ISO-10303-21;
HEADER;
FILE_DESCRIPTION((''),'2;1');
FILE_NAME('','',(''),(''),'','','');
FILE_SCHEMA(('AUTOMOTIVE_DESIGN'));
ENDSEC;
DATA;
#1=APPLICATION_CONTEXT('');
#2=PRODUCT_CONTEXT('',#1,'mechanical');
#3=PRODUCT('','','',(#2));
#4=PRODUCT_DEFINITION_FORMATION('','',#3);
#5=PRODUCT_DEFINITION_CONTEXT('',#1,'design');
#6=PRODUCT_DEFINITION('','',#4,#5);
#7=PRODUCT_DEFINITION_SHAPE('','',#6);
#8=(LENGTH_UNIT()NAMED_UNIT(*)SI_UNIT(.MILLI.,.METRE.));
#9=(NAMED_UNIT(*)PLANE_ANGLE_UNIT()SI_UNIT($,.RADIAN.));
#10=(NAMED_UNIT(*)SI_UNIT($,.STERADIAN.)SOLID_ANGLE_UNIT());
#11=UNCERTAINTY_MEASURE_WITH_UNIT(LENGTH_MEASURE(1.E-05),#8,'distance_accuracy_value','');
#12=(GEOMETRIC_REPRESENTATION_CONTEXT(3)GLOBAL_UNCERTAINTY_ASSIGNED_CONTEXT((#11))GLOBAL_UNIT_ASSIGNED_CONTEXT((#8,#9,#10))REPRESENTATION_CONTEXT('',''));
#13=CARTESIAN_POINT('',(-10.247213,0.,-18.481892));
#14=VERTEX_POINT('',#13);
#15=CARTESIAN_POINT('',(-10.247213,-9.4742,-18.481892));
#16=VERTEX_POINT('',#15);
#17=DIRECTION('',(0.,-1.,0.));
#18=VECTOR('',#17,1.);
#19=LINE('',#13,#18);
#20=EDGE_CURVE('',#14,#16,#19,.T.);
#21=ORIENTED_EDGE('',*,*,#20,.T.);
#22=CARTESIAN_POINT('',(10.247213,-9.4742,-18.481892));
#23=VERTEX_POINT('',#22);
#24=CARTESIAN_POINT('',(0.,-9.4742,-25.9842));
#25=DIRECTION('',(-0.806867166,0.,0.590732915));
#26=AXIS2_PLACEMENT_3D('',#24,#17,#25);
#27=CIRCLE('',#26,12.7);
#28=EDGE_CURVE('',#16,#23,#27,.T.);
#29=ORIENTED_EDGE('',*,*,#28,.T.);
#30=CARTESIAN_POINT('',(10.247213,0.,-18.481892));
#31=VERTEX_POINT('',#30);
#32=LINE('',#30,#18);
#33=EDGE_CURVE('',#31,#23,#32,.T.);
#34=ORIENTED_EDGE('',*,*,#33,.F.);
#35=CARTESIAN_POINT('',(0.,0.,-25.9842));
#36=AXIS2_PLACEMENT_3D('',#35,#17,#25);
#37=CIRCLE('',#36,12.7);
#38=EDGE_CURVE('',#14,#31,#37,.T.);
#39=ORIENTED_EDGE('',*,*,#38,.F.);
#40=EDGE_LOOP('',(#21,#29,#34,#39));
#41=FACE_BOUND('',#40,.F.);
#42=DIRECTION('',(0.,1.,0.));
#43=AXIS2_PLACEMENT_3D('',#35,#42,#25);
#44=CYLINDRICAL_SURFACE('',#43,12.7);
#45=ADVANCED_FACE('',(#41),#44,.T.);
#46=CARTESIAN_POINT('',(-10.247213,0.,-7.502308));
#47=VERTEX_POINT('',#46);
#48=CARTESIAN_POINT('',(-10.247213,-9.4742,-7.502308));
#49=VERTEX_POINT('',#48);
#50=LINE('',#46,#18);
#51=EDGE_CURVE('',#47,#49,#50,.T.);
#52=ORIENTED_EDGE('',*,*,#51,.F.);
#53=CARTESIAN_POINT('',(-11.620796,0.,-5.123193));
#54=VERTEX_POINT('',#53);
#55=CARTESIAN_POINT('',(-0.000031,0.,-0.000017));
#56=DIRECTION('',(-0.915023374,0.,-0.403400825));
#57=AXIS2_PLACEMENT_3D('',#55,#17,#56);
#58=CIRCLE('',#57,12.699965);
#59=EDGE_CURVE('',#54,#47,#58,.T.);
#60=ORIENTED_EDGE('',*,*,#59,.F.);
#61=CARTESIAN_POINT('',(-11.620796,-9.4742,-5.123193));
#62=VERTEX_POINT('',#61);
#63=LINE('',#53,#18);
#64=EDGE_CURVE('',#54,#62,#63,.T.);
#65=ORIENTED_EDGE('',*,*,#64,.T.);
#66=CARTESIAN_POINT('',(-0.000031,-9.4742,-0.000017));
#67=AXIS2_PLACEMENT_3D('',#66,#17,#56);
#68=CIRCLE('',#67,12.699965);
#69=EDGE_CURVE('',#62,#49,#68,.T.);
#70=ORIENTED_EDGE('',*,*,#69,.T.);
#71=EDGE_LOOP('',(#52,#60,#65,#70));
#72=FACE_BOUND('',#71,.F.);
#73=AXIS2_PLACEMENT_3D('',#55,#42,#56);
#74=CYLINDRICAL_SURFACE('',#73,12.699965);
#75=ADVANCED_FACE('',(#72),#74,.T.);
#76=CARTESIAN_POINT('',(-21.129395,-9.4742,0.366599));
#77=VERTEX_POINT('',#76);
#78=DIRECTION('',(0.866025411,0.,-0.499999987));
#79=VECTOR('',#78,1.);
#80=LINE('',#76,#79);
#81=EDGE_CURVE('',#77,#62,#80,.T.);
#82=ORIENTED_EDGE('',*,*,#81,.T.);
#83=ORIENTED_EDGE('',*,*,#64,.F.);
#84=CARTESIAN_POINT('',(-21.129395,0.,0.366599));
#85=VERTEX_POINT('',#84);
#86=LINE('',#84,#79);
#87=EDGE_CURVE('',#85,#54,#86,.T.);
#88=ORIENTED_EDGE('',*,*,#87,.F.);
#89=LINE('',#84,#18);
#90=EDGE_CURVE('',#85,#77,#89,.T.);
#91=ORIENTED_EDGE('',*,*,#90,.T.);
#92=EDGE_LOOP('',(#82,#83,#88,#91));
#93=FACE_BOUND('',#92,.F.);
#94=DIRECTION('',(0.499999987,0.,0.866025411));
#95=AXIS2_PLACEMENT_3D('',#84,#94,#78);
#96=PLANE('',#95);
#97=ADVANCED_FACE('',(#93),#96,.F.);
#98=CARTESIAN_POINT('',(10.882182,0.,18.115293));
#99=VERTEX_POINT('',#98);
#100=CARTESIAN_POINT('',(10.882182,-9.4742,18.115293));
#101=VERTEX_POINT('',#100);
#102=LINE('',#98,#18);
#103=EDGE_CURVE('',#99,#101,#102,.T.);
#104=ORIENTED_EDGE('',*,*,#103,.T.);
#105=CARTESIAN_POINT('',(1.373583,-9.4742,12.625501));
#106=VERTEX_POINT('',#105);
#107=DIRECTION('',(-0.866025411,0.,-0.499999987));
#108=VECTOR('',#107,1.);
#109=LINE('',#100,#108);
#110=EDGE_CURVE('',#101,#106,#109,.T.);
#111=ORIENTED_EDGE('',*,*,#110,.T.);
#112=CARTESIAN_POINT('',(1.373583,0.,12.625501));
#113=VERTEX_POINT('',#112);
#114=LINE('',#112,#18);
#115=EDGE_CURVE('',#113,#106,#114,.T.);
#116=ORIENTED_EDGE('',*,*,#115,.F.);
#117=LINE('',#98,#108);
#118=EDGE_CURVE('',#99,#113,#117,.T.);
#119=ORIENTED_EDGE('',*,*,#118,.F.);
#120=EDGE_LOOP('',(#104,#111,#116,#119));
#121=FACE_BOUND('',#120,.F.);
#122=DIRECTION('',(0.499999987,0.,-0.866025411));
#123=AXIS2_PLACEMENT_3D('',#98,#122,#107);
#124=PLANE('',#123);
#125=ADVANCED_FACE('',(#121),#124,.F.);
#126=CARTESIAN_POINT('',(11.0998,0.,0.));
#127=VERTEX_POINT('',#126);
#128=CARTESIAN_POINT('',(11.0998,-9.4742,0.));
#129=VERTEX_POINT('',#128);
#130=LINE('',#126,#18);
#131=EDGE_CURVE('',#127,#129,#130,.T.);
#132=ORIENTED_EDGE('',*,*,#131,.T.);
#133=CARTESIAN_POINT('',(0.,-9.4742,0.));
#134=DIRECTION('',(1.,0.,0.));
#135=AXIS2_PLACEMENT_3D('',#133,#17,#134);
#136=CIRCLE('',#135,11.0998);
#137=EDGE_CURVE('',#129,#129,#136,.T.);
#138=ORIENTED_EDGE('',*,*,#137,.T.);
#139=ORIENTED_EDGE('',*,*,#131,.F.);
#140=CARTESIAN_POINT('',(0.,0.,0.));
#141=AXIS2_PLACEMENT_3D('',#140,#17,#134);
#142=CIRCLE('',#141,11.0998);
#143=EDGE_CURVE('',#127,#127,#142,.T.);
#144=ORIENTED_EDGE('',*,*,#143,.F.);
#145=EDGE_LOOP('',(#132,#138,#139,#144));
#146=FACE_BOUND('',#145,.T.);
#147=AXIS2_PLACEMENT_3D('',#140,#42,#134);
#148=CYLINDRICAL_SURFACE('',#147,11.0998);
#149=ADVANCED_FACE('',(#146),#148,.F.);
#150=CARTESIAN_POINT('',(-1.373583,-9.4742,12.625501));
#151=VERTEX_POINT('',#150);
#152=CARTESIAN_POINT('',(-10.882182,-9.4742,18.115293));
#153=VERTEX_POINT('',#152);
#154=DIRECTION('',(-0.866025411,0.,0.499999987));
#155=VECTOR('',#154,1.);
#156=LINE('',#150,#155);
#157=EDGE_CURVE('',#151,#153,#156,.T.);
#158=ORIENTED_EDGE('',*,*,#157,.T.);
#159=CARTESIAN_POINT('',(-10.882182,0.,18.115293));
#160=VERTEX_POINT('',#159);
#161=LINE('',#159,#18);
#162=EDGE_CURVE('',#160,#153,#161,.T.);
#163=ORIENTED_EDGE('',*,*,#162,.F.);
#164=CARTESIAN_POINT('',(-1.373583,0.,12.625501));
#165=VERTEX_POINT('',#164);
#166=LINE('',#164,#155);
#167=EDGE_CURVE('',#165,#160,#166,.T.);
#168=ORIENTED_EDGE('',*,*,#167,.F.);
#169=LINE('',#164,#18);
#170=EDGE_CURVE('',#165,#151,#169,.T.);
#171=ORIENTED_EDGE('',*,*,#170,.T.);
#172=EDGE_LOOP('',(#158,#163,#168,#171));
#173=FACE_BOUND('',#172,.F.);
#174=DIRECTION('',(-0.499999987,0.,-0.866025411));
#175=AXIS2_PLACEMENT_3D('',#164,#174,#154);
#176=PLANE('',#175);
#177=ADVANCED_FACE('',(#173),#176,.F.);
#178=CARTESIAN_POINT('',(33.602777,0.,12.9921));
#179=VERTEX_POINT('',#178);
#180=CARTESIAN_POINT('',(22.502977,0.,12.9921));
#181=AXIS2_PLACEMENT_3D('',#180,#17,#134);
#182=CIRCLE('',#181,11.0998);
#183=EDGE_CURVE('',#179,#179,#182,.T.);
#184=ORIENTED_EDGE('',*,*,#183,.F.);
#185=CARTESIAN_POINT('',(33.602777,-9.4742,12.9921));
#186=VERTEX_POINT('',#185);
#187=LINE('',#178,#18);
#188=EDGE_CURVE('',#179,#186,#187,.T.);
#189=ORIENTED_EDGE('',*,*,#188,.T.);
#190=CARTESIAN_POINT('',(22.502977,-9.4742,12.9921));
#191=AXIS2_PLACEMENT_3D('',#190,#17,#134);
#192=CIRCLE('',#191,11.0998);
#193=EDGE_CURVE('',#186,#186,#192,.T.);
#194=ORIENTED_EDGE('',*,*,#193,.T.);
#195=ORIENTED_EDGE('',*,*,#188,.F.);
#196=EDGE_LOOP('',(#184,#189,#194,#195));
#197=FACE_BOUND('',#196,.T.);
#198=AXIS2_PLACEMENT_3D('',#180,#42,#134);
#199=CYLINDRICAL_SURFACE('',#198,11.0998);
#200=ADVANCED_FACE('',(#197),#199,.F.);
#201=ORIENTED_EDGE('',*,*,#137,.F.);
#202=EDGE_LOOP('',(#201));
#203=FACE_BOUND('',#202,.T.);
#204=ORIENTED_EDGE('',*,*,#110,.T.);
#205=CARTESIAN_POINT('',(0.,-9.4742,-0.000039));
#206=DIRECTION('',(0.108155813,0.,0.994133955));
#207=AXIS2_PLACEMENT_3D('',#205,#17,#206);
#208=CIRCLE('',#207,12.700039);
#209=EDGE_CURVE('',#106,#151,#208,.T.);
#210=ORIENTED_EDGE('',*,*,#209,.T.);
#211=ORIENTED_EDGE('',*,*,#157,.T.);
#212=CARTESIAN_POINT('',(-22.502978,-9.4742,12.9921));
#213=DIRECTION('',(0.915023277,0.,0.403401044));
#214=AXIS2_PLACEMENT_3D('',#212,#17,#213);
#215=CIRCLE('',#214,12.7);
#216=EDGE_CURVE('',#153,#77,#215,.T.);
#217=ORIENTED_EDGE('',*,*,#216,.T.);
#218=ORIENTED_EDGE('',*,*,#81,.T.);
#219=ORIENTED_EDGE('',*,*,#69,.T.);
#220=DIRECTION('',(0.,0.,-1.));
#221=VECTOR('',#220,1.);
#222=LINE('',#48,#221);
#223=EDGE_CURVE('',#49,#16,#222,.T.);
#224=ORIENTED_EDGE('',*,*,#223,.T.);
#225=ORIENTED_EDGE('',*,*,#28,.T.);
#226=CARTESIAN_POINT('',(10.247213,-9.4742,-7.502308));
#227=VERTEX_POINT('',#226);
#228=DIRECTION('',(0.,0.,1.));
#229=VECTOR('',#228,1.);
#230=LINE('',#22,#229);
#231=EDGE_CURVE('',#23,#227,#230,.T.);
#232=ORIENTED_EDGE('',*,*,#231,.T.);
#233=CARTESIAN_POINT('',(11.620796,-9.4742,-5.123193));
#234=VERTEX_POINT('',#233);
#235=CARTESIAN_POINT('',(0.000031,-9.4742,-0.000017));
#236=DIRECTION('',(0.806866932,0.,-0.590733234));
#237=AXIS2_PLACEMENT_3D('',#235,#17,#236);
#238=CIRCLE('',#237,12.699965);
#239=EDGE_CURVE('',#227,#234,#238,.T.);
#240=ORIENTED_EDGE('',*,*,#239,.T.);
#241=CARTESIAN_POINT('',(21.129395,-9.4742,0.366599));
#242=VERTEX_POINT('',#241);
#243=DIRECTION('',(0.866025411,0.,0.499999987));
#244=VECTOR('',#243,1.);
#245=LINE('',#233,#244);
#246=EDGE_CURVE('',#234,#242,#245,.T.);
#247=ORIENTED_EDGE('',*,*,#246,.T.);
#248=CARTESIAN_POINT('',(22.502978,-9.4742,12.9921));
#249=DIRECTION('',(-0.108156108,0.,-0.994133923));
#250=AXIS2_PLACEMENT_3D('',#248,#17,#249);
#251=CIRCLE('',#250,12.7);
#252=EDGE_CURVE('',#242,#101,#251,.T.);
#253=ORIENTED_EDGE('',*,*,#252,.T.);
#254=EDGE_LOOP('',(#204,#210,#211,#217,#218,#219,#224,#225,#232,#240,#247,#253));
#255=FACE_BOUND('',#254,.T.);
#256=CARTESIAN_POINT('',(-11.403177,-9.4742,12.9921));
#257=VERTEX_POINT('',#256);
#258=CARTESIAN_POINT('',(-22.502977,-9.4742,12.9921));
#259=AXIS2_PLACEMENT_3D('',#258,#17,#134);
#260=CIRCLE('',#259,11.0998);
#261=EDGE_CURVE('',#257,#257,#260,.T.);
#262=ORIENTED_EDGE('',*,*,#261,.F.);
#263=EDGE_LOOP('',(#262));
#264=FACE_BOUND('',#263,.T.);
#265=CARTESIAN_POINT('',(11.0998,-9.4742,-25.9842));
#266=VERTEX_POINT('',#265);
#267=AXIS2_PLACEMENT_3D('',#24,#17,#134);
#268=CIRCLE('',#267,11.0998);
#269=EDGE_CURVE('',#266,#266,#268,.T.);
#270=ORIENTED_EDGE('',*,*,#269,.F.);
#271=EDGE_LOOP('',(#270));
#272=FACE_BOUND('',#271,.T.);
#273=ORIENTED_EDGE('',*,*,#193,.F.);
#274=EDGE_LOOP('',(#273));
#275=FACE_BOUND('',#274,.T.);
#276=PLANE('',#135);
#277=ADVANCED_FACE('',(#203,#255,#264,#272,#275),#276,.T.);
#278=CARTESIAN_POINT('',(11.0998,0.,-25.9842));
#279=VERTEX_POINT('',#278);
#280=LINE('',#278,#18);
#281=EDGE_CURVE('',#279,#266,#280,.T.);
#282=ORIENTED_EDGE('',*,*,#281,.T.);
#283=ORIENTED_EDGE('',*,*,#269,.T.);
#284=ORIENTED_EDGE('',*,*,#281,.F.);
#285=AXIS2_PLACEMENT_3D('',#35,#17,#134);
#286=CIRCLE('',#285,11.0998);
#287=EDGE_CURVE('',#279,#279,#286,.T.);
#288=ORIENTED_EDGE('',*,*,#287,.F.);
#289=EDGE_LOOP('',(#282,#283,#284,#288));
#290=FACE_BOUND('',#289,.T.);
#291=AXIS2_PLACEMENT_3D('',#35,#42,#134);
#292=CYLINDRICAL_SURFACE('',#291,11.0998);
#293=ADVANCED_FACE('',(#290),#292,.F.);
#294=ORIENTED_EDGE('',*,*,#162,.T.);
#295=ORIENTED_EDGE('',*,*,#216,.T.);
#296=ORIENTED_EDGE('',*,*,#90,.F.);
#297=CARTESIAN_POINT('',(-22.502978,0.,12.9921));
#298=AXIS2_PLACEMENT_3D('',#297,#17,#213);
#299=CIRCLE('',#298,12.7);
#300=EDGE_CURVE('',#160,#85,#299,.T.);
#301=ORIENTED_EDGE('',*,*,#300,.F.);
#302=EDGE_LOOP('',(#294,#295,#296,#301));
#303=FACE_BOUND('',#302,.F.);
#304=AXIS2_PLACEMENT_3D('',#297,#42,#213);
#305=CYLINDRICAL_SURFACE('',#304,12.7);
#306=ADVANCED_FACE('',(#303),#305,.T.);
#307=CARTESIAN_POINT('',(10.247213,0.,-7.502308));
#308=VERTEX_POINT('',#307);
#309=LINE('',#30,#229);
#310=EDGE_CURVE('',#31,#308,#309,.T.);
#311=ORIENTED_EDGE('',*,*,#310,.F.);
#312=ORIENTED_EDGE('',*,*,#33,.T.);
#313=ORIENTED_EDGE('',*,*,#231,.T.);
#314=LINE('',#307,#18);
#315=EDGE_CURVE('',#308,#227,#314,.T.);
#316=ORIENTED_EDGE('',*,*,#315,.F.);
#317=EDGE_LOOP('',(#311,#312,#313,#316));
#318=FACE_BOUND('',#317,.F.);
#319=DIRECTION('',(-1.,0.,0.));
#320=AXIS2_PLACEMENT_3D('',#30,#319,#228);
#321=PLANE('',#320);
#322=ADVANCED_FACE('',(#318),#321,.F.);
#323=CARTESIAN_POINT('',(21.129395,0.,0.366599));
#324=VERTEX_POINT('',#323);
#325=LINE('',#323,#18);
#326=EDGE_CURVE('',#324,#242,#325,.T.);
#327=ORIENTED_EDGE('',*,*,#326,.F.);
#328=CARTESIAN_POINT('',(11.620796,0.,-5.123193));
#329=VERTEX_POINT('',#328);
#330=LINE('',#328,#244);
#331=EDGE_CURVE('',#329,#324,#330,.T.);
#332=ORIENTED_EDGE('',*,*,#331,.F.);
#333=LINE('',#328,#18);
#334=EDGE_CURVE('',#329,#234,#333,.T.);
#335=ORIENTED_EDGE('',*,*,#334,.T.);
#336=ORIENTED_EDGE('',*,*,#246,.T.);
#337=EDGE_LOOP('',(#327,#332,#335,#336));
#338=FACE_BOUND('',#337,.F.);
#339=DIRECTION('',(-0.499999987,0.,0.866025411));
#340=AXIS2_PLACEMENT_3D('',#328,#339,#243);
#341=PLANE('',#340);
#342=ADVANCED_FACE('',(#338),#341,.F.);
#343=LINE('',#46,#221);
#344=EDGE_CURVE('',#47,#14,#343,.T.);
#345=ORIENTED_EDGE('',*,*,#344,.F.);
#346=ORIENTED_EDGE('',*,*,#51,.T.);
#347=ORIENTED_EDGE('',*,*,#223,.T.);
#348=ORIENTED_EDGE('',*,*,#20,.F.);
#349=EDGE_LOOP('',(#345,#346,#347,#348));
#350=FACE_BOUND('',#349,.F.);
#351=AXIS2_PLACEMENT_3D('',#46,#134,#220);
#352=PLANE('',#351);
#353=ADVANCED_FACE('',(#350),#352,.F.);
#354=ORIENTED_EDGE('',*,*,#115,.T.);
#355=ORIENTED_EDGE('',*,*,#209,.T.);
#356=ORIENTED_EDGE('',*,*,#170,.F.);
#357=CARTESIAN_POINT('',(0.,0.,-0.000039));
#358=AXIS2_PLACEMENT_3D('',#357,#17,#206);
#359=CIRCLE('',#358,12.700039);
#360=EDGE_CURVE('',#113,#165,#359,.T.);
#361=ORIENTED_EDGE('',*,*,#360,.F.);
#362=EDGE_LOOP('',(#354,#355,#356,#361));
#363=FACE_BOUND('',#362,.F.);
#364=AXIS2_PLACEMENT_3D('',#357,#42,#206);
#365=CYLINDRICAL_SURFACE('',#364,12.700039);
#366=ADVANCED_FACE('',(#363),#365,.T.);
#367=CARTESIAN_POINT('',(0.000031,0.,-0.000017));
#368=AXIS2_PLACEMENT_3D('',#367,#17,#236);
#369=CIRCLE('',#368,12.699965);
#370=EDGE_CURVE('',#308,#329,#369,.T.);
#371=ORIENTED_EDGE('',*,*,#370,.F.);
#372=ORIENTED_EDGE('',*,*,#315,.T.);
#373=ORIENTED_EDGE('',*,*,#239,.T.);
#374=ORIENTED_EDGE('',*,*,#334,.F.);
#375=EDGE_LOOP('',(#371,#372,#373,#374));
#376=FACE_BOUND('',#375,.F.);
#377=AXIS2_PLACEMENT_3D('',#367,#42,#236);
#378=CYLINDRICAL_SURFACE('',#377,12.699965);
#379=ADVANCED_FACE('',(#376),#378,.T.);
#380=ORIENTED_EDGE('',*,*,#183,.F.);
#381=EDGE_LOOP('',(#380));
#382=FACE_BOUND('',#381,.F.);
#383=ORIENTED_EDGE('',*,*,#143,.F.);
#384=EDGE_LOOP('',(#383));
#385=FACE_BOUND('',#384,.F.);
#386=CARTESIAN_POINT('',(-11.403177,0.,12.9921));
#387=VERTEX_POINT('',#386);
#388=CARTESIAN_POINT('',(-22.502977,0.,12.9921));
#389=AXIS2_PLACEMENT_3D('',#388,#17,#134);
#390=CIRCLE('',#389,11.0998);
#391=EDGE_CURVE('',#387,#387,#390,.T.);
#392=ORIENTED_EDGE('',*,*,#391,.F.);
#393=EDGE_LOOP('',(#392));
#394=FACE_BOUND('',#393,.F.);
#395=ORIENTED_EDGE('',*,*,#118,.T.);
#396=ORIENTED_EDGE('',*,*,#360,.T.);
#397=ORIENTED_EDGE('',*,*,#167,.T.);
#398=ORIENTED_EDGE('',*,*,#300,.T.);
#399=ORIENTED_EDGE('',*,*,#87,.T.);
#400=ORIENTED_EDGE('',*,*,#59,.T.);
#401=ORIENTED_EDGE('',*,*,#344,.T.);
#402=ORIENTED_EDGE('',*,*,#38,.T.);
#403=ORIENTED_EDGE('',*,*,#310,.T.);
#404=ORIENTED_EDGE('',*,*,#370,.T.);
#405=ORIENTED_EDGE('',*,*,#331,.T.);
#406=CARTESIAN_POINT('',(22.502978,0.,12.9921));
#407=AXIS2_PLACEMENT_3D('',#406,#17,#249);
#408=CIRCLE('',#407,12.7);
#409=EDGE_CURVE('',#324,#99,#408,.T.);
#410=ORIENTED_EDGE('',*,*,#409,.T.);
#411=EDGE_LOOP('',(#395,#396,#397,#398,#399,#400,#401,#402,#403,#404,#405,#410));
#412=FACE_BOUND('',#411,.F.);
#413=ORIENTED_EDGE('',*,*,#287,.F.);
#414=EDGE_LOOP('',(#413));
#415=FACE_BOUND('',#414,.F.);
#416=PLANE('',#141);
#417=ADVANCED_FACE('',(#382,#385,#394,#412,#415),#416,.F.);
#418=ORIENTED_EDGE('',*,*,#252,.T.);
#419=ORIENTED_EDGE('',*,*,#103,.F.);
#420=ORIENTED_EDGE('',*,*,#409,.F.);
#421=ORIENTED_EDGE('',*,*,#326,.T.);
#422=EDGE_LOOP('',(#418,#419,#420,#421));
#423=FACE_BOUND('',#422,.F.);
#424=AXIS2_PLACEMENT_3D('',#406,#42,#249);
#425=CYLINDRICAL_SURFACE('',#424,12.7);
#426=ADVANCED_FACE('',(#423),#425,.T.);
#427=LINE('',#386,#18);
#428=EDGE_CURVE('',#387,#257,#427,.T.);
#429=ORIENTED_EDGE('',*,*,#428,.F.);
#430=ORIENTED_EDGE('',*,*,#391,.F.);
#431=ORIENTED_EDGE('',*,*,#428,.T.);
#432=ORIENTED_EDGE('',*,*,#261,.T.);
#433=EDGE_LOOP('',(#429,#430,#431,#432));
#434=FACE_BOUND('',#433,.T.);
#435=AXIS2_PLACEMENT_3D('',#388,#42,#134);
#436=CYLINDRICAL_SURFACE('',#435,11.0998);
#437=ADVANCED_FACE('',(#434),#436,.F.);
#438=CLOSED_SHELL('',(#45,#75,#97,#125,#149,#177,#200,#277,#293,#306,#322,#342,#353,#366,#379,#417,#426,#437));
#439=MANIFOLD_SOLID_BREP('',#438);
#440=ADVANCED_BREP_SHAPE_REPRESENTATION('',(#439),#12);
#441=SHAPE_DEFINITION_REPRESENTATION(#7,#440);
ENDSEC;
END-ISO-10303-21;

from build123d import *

# Parameters (mm, degrees)
F0_R     = 11.0998
F1_DEPTH = 9.4742


with BuildPart() as f1:
    # F0 (on Front) → F1 (new body)
    with BuildSketch(Plane.XZ):
        with BuildLine():
            Line((10.247213, -18.481892), (10.247213, -7.502308))
            ThreePointArc((10.247213, -7.502308), (10.998523, -6.35), (11.620796, -5.123193))
            Line((11.620796, -5.123193), (21.129395, 0.366599))
            ThreePointArc((21.129395, 0.366599), (33.5015, 19.3421), (10.882182, 18.115293))
            Line((10.882182, 18.115293), (1.373583, 12.625501))
            ThreePointArc((1.373583, 12.625501), (0, 12.7), (-1.373583, 12.625501))
            Line((-1.373583, 12.625501), (-10.882182, 18.115293))
            ThreePointArc((-10.882182, 18.115293), (-33.5015, 19.3421), (-21.129395, 0.366599))
            Line((-21.129395, 0.366599), (-11.620796, -5.123193))
            ThreePointArc((-11.620796, -5.123193), (-10.998523, -6.35), (-10.247213, -7.502308))
            Line((-10.247213, -7.502308), (-10.247213, -18.481892))
            ThreePointArc((-10.247213, -18.481892), (0, -38.6842), (10.247213, -18.481892))
        make_face()
        with Locations((0, -25.9842)):
            Circle(F0_R, mode=Mode.SUBTRACT)
        Circle(F0_R, mode=Mode.SUBTRACT)
        with Locations((-22.502977, 12.9921)):
            Circle(F0_R, mode=Mode.SUBTRACT)
        with Locations((22.502977, 12.9921)):
            Circle(F0_R, mode=Mode.SUBTRACT)
    extrude(amount=F1_DEPTH)


solid = f1.part
